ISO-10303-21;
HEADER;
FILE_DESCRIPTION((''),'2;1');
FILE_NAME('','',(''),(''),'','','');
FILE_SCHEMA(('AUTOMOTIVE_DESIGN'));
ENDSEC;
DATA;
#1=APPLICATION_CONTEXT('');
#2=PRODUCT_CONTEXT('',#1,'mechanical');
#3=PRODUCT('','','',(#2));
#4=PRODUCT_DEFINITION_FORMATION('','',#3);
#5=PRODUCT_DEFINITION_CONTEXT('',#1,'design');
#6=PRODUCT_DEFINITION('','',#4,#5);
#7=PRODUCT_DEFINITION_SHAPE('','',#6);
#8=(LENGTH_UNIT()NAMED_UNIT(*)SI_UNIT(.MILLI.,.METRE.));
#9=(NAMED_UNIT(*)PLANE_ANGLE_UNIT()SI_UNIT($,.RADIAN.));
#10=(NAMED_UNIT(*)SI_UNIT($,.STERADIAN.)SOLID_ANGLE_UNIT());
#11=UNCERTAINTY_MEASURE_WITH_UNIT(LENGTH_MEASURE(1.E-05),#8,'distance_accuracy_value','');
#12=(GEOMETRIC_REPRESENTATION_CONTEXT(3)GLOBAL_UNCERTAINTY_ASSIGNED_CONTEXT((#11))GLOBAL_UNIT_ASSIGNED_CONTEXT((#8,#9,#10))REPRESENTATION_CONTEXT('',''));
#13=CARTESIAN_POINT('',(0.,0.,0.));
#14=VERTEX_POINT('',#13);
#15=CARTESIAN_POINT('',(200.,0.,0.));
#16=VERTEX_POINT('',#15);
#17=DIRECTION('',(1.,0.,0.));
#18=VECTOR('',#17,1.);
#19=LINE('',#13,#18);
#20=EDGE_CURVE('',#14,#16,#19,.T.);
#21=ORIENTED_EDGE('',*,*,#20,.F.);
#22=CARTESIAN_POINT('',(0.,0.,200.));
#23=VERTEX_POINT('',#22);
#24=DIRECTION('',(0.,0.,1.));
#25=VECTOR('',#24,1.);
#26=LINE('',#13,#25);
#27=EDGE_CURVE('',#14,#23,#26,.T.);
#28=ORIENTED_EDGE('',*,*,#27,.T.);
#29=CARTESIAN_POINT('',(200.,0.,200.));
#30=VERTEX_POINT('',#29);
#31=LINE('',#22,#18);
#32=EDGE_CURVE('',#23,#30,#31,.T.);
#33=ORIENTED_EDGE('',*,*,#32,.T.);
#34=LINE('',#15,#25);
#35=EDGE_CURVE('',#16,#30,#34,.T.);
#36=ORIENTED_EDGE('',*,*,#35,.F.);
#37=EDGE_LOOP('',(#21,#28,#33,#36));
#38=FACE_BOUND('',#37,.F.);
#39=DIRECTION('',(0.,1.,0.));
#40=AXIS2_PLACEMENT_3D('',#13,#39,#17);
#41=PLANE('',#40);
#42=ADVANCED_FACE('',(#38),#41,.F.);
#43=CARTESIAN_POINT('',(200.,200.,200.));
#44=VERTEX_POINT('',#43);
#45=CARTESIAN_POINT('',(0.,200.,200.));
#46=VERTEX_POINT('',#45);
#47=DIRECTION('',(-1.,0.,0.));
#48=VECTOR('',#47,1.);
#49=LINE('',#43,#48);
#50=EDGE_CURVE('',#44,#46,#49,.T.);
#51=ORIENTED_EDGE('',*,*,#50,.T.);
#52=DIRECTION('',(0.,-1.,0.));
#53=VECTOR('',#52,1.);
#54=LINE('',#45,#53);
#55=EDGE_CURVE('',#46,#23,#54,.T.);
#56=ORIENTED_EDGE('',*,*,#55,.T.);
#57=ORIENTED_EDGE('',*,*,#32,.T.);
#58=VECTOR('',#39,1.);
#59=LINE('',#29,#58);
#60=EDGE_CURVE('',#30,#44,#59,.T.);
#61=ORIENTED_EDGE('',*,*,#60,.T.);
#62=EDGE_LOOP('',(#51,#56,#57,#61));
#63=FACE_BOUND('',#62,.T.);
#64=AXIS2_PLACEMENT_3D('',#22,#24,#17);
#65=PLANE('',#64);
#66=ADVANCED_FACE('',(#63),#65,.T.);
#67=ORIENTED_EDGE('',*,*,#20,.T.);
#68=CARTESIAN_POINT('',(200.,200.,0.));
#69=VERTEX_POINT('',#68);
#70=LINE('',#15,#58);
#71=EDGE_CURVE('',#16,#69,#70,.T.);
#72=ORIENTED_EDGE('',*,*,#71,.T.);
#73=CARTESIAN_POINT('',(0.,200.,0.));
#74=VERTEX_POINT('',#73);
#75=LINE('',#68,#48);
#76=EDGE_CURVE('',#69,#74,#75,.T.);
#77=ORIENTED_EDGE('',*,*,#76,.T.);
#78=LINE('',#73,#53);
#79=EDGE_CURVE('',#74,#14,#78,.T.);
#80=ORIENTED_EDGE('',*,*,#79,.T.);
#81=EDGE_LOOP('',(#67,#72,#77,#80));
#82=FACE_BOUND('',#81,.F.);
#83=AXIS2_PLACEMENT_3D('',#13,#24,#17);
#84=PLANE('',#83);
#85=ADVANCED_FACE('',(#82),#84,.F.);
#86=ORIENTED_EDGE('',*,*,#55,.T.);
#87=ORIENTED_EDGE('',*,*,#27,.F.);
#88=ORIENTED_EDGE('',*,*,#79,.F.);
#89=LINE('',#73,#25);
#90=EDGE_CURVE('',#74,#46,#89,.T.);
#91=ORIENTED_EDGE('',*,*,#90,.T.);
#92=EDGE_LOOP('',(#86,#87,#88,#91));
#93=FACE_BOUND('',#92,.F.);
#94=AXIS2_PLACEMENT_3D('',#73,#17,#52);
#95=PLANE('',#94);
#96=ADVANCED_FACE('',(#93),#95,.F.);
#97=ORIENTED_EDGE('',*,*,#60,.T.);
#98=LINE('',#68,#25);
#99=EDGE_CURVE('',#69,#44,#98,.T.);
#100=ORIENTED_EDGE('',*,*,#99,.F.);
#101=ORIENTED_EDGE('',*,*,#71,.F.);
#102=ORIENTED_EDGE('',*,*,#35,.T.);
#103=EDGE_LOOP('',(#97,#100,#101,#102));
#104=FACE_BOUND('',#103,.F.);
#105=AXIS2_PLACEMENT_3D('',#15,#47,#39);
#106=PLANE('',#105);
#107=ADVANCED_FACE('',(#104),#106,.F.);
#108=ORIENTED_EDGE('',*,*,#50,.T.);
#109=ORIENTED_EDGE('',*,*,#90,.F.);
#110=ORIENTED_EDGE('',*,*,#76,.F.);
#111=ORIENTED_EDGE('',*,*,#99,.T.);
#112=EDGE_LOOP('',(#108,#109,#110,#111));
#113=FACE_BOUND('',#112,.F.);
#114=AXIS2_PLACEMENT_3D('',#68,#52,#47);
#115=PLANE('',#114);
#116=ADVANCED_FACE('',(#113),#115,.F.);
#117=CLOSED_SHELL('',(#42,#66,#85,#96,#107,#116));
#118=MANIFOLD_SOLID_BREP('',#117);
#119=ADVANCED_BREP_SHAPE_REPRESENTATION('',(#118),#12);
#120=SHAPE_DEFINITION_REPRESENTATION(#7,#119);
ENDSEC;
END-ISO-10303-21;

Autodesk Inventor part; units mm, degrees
ref_plane "YZ Plane" through (0, 0, 0) normal (1, 0, 0) x (0, 1, 0)
ref_plane "XZ Plane" through (0, 0, 0) normal (0, 1, 0) x (-1, 0, 0)
ref_plane "XY Plane" through (0, 0, 0) normal (0, 0, 1) x (1, 0, 0)
sketch "Sketch1" plane through (0, 0, 0) normal (0, 0, 1) x (1, 0, 0)
  line L0 (0, 0) -> (200, 0)
  line L1 (200, 0) -> (200, 200)
  line L2 (200, 200) -> (0, 200)
  line L3 (0, 200) -> (0, 0)
  dimension "d0" = 200
  dimension "d1" = 200
extrude "Extrusion1" add sketch "Sketch1" along normal blind 200
properties part number "build volume"
